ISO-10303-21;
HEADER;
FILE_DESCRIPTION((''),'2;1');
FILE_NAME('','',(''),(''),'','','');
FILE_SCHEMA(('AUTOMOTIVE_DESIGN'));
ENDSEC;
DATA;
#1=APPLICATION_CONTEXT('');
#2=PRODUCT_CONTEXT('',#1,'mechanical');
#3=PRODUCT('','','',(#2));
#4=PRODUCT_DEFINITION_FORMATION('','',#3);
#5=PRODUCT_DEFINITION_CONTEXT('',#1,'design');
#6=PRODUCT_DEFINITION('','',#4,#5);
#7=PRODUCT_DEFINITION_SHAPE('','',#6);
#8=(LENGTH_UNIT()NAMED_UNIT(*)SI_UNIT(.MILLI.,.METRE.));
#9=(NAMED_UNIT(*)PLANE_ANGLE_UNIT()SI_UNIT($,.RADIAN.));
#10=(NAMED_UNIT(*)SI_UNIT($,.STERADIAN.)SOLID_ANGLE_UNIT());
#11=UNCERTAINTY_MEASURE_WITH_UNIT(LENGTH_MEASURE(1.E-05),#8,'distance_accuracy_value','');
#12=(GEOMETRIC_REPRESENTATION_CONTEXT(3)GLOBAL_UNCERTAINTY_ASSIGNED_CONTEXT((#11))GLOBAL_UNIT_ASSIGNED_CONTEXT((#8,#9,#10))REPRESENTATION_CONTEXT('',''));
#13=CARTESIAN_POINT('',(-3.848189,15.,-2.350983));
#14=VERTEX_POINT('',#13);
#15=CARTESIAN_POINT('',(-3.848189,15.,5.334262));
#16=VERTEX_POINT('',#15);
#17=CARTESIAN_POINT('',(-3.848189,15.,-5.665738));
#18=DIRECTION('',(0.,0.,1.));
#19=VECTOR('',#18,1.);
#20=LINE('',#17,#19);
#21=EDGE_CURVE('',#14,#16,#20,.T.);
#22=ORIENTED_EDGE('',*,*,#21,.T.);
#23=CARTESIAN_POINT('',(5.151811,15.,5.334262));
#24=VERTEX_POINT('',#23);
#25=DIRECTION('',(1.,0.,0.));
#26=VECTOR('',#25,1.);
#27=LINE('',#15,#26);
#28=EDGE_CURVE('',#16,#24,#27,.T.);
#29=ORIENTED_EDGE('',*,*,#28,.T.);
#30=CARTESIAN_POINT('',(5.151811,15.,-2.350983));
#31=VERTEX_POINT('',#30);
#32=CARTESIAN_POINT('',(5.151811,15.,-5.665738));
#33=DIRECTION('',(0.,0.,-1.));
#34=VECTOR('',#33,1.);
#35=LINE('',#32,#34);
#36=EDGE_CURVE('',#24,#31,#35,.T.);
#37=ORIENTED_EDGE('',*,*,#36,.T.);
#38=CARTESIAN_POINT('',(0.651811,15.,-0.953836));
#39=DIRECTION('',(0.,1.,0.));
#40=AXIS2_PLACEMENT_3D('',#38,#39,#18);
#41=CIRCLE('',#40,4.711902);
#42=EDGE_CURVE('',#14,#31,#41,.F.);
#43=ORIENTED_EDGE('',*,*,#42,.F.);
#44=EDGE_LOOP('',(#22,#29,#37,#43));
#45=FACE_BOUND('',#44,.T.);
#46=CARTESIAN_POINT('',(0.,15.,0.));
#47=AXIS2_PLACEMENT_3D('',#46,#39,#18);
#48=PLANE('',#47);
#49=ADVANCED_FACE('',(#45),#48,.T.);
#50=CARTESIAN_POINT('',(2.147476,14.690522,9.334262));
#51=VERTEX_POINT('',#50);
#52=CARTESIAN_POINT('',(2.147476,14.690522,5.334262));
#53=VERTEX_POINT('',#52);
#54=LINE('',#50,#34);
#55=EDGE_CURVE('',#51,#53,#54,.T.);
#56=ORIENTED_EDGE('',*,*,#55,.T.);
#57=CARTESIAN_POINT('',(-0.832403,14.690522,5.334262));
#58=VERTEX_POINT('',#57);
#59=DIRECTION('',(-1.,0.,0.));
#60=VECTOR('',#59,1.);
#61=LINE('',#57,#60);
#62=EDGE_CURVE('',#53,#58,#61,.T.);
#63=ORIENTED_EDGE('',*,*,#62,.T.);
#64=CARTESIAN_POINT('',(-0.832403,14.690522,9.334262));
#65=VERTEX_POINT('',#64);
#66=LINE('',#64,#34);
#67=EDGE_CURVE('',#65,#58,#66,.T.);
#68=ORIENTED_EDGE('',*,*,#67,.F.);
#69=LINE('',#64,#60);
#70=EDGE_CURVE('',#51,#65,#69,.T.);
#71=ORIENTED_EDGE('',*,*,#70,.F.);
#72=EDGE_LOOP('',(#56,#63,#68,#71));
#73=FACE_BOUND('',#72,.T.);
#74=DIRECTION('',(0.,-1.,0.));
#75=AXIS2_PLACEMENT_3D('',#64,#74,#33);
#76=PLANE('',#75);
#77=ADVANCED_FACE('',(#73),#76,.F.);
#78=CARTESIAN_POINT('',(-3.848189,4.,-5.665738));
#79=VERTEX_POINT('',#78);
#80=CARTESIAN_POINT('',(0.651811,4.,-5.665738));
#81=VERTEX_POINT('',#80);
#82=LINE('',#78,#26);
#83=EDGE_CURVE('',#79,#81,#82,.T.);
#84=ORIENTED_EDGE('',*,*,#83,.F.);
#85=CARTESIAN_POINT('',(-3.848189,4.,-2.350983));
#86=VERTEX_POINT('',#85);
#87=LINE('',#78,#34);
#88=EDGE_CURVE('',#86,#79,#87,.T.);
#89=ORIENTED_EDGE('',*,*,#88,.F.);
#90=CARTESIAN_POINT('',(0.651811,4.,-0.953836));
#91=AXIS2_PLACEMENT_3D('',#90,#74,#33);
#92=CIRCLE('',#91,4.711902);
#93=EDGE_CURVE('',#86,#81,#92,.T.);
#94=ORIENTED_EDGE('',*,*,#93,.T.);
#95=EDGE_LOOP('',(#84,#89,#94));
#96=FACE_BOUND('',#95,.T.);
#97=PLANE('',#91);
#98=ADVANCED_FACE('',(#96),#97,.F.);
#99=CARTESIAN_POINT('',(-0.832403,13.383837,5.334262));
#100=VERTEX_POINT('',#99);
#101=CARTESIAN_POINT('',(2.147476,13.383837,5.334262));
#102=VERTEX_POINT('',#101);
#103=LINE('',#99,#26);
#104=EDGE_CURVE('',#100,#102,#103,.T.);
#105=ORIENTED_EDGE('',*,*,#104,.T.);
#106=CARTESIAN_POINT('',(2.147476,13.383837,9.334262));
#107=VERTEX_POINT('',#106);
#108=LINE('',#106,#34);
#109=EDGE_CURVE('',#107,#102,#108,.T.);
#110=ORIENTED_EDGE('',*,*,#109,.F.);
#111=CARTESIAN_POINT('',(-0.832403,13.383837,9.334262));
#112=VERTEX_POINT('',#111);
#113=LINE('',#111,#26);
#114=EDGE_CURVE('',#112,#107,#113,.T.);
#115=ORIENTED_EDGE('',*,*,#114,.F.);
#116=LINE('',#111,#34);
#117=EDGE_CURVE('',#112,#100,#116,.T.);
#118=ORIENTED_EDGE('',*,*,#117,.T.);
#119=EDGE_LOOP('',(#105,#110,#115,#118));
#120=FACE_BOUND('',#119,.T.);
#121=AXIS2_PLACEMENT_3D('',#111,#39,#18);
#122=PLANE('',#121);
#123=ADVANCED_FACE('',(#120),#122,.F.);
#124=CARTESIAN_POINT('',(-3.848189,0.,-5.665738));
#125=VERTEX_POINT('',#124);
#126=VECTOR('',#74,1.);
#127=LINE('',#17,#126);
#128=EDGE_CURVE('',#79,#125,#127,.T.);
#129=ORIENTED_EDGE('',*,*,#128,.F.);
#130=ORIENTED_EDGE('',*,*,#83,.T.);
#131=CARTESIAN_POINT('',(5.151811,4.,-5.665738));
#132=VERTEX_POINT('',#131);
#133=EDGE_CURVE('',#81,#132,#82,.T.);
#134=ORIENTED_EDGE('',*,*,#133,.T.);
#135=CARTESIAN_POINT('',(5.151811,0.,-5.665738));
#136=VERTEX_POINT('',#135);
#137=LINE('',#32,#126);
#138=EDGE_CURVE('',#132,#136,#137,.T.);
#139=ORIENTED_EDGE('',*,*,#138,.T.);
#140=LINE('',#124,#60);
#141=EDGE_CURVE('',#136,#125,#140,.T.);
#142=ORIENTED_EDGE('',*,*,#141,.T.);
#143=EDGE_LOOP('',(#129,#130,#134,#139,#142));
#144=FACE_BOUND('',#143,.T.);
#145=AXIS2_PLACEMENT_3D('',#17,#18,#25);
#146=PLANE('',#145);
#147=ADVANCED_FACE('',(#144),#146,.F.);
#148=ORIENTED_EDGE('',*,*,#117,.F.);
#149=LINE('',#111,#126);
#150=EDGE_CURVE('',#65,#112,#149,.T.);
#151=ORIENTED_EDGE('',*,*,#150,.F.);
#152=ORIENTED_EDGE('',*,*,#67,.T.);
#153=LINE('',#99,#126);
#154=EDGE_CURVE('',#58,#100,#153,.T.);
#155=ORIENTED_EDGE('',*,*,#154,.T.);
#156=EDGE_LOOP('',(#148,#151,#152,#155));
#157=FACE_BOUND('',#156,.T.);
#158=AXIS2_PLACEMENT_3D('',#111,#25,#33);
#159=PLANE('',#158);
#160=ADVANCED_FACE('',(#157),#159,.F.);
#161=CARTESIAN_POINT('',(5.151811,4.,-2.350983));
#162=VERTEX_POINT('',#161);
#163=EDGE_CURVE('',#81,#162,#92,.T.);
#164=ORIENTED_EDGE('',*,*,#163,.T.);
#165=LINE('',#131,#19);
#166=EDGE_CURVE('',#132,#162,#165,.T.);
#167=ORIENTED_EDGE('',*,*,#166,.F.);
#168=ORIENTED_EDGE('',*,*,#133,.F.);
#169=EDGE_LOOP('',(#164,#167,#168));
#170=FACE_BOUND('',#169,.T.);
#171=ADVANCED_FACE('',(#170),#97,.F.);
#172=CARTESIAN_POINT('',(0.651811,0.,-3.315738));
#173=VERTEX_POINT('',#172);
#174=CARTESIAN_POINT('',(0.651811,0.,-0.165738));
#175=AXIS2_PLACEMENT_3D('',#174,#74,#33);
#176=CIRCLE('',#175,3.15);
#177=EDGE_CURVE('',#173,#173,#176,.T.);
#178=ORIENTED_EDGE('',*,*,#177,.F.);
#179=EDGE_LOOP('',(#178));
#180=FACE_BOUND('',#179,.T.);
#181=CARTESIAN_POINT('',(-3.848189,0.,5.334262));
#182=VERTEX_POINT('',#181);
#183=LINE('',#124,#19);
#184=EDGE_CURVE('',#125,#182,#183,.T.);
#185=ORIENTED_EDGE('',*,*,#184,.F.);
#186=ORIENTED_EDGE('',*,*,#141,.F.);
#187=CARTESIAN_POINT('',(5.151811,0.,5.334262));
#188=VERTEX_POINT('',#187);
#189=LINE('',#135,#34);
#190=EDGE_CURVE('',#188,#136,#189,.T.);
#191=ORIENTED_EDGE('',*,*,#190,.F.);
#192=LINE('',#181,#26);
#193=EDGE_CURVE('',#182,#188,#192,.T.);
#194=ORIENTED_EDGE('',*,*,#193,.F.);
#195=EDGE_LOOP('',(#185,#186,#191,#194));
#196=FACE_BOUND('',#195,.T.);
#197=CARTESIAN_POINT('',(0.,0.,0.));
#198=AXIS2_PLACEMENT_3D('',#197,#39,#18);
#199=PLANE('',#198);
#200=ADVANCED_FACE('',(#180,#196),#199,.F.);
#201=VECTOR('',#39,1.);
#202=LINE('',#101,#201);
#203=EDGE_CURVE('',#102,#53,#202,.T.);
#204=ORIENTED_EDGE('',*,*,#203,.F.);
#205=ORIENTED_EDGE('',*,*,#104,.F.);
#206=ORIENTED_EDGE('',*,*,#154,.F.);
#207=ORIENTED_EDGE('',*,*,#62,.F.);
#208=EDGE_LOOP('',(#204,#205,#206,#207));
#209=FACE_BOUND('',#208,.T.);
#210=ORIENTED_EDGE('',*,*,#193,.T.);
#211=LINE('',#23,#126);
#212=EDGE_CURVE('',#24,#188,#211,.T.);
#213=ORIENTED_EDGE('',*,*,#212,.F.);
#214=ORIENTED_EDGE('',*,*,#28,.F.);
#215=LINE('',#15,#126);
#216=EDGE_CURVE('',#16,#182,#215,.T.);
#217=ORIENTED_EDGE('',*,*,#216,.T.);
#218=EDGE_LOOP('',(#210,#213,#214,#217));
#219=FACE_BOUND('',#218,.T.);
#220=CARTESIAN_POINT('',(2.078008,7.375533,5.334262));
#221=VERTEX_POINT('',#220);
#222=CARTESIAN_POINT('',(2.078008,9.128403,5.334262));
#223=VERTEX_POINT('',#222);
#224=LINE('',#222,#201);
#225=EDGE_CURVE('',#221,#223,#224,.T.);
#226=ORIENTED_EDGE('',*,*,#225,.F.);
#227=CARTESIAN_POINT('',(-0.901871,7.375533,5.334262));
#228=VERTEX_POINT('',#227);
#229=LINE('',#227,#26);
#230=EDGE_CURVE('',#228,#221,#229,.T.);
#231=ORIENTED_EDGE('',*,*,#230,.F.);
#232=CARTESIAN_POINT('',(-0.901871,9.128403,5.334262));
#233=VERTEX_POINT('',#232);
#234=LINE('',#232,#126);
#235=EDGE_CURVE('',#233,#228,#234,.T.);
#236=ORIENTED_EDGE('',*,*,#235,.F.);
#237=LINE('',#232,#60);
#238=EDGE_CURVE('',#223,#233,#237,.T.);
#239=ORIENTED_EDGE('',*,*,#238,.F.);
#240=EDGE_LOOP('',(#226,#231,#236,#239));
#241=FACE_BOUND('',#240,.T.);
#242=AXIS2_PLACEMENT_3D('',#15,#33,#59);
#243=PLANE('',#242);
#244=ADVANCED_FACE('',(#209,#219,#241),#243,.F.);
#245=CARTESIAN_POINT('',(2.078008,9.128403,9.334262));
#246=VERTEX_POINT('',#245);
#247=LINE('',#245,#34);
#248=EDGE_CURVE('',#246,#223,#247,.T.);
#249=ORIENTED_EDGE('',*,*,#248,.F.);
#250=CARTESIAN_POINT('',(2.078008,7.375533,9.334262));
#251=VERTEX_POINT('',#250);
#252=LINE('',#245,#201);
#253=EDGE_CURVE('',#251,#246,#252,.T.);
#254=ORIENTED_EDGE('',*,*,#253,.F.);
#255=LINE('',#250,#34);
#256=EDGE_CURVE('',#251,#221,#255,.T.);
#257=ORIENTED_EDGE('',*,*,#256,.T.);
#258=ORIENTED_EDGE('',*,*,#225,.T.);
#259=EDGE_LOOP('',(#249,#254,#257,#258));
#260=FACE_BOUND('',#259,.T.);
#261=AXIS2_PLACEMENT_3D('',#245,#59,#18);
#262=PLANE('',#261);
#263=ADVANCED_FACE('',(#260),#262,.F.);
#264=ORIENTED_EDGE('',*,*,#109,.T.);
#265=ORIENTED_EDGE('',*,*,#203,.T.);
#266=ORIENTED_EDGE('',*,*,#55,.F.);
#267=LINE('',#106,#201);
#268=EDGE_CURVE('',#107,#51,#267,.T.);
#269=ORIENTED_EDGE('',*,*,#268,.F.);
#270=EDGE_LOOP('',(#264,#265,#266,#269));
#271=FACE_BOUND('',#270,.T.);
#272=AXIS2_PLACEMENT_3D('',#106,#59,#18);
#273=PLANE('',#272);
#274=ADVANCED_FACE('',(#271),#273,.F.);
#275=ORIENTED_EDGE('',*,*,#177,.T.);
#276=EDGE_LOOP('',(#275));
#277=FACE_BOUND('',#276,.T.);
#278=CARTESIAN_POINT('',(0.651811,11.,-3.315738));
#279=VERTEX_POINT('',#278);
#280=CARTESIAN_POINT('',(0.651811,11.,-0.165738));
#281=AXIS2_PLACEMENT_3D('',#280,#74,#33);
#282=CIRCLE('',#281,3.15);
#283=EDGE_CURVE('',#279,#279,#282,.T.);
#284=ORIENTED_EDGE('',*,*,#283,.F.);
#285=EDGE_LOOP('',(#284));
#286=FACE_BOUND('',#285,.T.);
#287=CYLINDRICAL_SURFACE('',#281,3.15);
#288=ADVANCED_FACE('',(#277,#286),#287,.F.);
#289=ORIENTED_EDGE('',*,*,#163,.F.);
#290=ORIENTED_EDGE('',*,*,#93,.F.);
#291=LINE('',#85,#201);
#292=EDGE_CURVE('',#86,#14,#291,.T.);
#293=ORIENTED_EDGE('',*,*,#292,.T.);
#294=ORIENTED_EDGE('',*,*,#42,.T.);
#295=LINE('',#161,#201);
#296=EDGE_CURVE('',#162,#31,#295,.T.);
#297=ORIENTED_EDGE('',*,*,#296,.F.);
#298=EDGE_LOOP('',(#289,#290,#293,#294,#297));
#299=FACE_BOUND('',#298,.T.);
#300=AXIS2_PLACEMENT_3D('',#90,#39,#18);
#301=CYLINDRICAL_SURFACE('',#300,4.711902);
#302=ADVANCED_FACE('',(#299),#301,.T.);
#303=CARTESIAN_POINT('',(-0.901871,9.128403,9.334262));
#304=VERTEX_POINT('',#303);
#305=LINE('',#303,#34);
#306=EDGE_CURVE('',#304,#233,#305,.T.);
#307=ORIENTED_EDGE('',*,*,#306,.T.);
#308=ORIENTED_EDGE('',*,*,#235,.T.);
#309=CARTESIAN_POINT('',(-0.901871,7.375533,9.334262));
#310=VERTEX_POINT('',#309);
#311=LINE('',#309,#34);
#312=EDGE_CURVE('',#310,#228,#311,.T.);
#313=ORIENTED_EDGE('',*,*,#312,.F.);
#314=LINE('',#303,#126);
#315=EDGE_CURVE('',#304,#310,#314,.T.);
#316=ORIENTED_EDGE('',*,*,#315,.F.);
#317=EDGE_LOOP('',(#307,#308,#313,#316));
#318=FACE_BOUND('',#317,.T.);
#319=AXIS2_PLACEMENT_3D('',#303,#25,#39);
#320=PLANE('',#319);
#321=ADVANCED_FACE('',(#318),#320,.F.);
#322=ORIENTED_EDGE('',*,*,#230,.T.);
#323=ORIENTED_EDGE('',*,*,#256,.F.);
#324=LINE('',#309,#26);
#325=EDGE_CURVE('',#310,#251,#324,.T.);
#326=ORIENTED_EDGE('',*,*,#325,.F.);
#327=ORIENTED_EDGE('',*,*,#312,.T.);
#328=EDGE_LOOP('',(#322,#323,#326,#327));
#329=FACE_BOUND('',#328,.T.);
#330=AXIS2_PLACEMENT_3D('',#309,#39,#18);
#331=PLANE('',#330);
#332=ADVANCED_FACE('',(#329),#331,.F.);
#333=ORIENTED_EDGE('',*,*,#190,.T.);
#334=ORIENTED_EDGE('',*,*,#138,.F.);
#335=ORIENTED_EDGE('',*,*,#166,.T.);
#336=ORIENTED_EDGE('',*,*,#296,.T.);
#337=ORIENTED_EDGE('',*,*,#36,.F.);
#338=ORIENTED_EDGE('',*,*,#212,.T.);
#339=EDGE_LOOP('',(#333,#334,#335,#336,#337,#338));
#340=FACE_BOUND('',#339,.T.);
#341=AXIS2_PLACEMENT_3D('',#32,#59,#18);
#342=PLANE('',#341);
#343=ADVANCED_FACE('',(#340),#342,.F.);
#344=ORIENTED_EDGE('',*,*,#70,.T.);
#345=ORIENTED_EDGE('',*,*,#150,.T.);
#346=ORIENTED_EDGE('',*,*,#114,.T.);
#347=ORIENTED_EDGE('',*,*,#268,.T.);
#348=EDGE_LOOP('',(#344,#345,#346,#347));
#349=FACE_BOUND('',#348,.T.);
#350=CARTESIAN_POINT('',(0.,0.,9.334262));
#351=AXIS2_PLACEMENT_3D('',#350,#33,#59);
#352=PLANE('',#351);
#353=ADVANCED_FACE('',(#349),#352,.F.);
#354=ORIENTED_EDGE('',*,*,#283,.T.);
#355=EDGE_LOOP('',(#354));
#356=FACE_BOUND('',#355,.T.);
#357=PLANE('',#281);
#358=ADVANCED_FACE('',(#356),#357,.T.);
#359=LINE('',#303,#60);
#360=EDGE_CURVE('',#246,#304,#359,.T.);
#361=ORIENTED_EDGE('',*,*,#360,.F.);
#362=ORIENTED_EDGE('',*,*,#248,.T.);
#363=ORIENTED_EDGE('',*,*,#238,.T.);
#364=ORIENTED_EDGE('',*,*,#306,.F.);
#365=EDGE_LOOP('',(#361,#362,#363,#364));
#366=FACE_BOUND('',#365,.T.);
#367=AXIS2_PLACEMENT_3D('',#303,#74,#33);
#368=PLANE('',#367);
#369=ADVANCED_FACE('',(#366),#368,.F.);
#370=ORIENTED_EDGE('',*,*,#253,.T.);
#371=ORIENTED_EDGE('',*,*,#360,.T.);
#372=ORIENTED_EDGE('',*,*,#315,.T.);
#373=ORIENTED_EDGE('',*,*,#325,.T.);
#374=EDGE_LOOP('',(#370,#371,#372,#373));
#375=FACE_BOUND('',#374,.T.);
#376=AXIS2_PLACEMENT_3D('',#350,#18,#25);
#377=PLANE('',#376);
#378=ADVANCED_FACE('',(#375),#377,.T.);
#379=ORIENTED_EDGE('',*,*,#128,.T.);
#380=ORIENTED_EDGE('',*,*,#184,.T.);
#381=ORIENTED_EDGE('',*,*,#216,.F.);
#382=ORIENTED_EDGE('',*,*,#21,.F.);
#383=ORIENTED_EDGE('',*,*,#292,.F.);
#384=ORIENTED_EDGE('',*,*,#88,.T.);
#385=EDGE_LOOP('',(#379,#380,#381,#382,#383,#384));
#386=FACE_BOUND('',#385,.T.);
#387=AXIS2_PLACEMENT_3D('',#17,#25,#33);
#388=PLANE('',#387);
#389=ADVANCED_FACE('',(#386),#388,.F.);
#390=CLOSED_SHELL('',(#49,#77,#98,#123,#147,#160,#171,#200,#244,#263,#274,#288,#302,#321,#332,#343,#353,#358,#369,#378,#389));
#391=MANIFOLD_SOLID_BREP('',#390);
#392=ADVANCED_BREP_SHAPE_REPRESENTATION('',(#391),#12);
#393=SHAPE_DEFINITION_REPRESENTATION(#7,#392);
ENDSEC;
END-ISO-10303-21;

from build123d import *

# Parameters (mm, degrees)
SKETCH1_W           = 9
SKETCH1_H           = 11
BOSS_EXTRUDE1_DEPTH = 15
CUT_EXTRUDE1_DEPTH  = 11
SKETCH3_R           = 3.15
CUT_EXTRUDE2_DEPTH  = 11
SKETCH4_W           = 2.979879399
SKETCH4_H           = 1.306685084
SKETCH4_W_2         = 2.979879398
SKETCH4_H_2         = 1.752870235
BOSS_EXTRUDE2_DEPTH = 4


with BuildPart() as part:
    # Sketch1 → Boss-Extrude1 (new body)
    with BuildSketch(Plane(origin=(0, 0, 0), x_dir=(1, 0, 0), z_dir=(0, 1, 0))):
        with Locations((0.651810585, 0.165738162)):
            Rectangle(SKETCH1_W, SKETCH1_H)
    extrude(amount=BOSS_EXTRUDE1_DEPTH)

    # Sketch2 → Cut-Extrude1 (cut)
    with BuildSketch(Plane(origin=(0, 15, 0), x_dir=(1, 0, 0), z_dir=(0, 1, 0))):
        with BuildLine():
            Line((-3.848189415, 2.350983054), (-6.541968857, 7.081862959))
            Line((-6.541968857, 7.081862959), (7.054694978, 6.829449645))
            Line((7.054694978, 6.829449645), (5.151810585, 2.350983054))
            ThreePointArc((5.151810585, 2.350983054), (0.651810585, 5.665738162), (-3.848189415, 2.350983054))
        make_face()
    extrude(amount=-CUT_EXTRUDE1_DEPTH, mode=Mode.SUBTRACT)

    # Sketch3 → Cut-Extrude2 (cut)
    with BuildSketch(Plane.XZ):
        with Locations((0.651810585, -0.165738162)):
            Circle(SKETCH3_R)
    extrude(amount=-CUT_EXTRUDE2_DEPTH, mode=Mode.SUBTRACT)

    # Sketch4 → Boss-Extrude2 (add)
    with BuildSketch(Plane.XY.offset(5.334261838)):
        with Locations((0.657536683, 14.037179674)):
            Rectangle(SKETCH4_W, SKETCH4_H)
        with Locations((0.588068697, 8.251967659)):
            Rectangle(SKETCH4_W_2, SKETCH4_H_2)
    extrude(amount=BOSS_EXTRUDE2_DEPTH)


solid = part.part
